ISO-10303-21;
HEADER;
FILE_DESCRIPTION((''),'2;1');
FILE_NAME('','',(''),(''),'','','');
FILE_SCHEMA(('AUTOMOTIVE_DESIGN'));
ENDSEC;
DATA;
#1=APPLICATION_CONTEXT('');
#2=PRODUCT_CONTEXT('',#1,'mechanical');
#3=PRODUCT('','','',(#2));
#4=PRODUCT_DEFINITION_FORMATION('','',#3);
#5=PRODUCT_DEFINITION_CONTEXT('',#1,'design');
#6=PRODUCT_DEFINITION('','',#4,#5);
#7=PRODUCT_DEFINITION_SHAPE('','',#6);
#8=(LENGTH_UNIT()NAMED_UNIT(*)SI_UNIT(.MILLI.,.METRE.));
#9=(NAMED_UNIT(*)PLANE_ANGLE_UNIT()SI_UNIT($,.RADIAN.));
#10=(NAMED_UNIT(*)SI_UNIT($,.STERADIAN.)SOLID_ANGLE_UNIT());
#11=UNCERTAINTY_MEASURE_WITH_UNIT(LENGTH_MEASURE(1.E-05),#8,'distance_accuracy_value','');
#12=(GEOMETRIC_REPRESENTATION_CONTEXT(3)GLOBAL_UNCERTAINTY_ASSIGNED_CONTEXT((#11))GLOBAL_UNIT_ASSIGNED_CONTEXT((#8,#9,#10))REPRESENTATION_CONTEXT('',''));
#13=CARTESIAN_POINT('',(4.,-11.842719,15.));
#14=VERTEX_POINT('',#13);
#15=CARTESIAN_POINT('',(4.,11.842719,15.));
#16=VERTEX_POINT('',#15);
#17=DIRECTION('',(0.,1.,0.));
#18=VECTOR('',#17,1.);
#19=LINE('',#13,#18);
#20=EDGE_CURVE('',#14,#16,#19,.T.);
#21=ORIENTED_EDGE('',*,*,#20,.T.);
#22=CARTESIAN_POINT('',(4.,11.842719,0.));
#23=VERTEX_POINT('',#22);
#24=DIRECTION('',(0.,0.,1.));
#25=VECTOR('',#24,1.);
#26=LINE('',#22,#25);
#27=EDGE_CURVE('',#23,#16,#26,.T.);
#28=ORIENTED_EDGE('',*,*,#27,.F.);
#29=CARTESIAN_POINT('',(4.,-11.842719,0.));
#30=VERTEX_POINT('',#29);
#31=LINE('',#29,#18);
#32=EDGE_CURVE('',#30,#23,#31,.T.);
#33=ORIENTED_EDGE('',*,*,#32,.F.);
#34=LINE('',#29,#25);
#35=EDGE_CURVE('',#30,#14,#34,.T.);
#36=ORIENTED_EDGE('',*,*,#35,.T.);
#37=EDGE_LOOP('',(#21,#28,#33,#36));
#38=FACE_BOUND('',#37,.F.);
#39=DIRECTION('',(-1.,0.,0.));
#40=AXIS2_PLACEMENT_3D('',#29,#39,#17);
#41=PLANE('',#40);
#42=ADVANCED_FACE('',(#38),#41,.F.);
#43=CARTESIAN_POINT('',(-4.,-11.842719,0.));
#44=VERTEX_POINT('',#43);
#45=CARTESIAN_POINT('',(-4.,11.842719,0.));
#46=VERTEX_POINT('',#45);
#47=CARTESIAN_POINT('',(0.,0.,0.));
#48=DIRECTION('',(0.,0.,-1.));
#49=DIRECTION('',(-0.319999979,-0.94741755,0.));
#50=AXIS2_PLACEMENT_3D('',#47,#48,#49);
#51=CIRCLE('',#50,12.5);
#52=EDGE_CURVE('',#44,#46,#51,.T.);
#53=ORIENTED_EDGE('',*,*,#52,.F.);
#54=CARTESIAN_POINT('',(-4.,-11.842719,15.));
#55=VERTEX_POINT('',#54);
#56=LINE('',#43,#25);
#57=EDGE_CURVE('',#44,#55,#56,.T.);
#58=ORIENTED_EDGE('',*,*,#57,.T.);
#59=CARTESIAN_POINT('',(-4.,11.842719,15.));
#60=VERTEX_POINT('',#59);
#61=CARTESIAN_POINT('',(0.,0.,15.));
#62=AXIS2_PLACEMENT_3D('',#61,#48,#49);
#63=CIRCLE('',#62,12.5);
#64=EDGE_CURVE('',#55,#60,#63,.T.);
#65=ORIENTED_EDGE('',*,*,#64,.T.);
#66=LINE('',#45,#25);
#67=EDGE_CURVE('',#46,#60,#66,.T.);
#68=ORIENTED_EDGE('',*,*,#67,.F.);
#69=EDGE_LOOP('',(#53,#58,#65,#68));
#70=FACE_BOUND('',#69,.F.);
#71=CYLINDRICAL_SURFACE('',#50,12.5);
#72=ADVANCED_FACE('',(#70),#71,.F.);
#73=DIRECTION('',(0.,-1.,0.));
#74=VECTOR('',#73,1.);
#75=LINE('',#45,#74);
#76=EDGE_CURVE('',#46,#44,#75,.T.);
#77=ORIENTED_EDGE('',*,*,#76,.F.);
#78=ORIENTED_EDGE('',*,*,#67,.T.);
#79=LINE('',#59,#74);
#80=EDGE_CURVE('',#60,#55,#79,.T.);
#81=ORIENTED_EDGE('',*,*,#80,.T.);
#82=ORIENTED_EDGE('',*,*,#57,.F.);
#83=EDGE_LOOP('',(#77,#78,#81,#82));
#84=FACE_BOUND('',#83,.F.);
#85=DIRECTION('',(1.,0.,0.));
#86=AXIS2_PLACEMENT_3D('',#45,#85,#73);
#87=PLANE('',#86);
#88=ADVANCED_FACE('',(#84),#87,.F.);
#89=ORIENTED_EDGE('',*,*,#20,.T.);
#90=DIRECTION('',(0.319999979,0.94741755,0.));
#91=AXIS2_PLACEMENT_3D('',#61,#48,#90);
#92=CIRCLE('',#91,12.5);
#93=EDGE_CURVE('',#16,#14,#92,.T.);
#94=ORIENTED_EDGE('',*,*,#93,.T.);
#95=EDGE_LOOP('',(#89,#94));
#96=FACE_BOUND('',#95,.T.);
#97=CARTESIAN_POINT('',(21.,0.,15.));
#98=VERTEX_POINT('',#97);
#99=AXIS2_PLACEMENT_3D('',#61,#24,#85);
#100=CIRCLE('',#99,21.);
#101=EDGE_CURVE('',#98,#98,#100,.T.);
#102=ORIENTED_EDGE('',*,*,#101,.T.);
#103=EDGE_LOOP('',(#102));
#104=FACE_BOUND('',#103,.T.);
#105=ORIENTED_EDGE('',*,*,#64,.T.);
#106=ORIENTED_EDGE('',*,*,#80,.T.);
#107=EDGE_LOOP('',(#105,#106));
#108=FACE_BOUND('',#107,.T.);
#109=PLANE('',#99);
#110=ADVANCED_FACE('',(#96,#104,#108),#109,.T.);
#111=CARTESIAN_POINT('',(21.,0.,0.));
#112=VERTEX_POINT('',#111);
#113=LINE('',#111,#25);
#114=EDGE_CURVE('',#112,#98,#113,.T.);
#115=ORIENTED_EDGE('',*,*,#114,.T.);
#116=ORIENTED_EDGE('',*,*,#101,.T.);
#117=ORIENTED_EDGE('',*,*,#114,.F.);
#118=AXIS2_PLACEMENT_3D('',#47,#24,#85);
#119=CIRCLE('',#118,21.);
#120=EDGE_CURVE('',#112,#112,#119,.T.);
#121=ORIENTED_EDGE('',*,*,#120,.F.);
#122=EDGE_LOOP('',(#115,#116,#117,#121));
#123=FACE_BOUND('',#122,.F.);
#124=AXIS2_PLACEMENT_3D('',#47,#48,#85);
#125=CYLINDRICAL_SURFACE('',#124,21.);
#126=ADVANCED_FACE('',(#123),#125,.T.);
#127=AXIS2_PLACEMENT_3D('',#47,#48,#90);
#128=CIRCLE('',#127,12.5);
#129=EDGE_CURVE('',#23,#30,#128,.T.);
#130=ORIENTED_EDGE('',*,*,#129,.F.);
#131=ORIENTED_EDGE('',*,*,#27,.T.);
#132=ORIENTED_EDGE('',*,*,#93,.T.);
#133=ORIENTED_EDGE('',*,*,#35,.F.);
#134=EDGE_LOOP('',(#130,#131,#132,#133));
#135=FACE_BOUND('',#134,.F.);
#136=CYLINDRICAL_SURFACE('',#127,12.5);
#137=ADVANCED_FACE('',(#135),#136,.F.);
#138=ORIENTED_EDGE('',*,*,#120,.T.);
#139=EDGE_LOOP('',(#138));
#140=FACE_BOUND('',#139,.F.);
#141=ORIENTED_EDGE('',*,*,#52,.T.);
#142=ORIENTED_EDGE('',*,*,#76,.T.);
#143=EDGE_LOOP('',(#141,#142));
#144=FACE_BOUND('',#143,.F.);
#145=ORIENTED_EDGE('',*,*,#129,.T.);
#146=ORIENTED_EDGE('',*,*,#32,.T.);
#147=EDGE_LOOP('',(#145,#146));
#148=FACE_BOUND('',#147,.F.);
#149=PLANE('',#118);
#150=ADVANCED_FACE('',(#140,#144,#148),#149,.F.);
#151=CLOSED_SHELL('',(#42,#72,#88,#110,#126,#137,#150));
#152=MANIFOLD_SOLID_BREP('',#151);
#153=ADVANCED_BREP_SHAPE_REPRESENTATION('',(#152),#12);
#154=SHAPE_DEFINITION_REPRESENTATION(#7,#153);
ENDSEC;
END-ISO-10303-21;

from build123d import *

# Parameters (mm, degrees)
F0_R     = 21
F1_DEPTH = 15


with BuildPart() as f1:
    # F0 (on Top) → F1 (new body)
    with BuildSketch(Plane.XY):
        Circle(F0_R)
        with BuildLine():
            ThreePointArc((-4, -11.842719), (-12.5, 0), (-4, 11.842719))
            Line((-4, 11.842719), (-4, -11.842719))
        make_face(mode=Mode.SUBTRACT)
        with BuildLine():
            Line((4, -11.842719), (4, 11.842719))
            ThreePointArc((4, 11.842719), (12.5, 0), (4, -11.842719))
        make_face(mode=Mode.SUBTRACT)
    extrude(amount=F1_DEPTH)


solid = f1.part
